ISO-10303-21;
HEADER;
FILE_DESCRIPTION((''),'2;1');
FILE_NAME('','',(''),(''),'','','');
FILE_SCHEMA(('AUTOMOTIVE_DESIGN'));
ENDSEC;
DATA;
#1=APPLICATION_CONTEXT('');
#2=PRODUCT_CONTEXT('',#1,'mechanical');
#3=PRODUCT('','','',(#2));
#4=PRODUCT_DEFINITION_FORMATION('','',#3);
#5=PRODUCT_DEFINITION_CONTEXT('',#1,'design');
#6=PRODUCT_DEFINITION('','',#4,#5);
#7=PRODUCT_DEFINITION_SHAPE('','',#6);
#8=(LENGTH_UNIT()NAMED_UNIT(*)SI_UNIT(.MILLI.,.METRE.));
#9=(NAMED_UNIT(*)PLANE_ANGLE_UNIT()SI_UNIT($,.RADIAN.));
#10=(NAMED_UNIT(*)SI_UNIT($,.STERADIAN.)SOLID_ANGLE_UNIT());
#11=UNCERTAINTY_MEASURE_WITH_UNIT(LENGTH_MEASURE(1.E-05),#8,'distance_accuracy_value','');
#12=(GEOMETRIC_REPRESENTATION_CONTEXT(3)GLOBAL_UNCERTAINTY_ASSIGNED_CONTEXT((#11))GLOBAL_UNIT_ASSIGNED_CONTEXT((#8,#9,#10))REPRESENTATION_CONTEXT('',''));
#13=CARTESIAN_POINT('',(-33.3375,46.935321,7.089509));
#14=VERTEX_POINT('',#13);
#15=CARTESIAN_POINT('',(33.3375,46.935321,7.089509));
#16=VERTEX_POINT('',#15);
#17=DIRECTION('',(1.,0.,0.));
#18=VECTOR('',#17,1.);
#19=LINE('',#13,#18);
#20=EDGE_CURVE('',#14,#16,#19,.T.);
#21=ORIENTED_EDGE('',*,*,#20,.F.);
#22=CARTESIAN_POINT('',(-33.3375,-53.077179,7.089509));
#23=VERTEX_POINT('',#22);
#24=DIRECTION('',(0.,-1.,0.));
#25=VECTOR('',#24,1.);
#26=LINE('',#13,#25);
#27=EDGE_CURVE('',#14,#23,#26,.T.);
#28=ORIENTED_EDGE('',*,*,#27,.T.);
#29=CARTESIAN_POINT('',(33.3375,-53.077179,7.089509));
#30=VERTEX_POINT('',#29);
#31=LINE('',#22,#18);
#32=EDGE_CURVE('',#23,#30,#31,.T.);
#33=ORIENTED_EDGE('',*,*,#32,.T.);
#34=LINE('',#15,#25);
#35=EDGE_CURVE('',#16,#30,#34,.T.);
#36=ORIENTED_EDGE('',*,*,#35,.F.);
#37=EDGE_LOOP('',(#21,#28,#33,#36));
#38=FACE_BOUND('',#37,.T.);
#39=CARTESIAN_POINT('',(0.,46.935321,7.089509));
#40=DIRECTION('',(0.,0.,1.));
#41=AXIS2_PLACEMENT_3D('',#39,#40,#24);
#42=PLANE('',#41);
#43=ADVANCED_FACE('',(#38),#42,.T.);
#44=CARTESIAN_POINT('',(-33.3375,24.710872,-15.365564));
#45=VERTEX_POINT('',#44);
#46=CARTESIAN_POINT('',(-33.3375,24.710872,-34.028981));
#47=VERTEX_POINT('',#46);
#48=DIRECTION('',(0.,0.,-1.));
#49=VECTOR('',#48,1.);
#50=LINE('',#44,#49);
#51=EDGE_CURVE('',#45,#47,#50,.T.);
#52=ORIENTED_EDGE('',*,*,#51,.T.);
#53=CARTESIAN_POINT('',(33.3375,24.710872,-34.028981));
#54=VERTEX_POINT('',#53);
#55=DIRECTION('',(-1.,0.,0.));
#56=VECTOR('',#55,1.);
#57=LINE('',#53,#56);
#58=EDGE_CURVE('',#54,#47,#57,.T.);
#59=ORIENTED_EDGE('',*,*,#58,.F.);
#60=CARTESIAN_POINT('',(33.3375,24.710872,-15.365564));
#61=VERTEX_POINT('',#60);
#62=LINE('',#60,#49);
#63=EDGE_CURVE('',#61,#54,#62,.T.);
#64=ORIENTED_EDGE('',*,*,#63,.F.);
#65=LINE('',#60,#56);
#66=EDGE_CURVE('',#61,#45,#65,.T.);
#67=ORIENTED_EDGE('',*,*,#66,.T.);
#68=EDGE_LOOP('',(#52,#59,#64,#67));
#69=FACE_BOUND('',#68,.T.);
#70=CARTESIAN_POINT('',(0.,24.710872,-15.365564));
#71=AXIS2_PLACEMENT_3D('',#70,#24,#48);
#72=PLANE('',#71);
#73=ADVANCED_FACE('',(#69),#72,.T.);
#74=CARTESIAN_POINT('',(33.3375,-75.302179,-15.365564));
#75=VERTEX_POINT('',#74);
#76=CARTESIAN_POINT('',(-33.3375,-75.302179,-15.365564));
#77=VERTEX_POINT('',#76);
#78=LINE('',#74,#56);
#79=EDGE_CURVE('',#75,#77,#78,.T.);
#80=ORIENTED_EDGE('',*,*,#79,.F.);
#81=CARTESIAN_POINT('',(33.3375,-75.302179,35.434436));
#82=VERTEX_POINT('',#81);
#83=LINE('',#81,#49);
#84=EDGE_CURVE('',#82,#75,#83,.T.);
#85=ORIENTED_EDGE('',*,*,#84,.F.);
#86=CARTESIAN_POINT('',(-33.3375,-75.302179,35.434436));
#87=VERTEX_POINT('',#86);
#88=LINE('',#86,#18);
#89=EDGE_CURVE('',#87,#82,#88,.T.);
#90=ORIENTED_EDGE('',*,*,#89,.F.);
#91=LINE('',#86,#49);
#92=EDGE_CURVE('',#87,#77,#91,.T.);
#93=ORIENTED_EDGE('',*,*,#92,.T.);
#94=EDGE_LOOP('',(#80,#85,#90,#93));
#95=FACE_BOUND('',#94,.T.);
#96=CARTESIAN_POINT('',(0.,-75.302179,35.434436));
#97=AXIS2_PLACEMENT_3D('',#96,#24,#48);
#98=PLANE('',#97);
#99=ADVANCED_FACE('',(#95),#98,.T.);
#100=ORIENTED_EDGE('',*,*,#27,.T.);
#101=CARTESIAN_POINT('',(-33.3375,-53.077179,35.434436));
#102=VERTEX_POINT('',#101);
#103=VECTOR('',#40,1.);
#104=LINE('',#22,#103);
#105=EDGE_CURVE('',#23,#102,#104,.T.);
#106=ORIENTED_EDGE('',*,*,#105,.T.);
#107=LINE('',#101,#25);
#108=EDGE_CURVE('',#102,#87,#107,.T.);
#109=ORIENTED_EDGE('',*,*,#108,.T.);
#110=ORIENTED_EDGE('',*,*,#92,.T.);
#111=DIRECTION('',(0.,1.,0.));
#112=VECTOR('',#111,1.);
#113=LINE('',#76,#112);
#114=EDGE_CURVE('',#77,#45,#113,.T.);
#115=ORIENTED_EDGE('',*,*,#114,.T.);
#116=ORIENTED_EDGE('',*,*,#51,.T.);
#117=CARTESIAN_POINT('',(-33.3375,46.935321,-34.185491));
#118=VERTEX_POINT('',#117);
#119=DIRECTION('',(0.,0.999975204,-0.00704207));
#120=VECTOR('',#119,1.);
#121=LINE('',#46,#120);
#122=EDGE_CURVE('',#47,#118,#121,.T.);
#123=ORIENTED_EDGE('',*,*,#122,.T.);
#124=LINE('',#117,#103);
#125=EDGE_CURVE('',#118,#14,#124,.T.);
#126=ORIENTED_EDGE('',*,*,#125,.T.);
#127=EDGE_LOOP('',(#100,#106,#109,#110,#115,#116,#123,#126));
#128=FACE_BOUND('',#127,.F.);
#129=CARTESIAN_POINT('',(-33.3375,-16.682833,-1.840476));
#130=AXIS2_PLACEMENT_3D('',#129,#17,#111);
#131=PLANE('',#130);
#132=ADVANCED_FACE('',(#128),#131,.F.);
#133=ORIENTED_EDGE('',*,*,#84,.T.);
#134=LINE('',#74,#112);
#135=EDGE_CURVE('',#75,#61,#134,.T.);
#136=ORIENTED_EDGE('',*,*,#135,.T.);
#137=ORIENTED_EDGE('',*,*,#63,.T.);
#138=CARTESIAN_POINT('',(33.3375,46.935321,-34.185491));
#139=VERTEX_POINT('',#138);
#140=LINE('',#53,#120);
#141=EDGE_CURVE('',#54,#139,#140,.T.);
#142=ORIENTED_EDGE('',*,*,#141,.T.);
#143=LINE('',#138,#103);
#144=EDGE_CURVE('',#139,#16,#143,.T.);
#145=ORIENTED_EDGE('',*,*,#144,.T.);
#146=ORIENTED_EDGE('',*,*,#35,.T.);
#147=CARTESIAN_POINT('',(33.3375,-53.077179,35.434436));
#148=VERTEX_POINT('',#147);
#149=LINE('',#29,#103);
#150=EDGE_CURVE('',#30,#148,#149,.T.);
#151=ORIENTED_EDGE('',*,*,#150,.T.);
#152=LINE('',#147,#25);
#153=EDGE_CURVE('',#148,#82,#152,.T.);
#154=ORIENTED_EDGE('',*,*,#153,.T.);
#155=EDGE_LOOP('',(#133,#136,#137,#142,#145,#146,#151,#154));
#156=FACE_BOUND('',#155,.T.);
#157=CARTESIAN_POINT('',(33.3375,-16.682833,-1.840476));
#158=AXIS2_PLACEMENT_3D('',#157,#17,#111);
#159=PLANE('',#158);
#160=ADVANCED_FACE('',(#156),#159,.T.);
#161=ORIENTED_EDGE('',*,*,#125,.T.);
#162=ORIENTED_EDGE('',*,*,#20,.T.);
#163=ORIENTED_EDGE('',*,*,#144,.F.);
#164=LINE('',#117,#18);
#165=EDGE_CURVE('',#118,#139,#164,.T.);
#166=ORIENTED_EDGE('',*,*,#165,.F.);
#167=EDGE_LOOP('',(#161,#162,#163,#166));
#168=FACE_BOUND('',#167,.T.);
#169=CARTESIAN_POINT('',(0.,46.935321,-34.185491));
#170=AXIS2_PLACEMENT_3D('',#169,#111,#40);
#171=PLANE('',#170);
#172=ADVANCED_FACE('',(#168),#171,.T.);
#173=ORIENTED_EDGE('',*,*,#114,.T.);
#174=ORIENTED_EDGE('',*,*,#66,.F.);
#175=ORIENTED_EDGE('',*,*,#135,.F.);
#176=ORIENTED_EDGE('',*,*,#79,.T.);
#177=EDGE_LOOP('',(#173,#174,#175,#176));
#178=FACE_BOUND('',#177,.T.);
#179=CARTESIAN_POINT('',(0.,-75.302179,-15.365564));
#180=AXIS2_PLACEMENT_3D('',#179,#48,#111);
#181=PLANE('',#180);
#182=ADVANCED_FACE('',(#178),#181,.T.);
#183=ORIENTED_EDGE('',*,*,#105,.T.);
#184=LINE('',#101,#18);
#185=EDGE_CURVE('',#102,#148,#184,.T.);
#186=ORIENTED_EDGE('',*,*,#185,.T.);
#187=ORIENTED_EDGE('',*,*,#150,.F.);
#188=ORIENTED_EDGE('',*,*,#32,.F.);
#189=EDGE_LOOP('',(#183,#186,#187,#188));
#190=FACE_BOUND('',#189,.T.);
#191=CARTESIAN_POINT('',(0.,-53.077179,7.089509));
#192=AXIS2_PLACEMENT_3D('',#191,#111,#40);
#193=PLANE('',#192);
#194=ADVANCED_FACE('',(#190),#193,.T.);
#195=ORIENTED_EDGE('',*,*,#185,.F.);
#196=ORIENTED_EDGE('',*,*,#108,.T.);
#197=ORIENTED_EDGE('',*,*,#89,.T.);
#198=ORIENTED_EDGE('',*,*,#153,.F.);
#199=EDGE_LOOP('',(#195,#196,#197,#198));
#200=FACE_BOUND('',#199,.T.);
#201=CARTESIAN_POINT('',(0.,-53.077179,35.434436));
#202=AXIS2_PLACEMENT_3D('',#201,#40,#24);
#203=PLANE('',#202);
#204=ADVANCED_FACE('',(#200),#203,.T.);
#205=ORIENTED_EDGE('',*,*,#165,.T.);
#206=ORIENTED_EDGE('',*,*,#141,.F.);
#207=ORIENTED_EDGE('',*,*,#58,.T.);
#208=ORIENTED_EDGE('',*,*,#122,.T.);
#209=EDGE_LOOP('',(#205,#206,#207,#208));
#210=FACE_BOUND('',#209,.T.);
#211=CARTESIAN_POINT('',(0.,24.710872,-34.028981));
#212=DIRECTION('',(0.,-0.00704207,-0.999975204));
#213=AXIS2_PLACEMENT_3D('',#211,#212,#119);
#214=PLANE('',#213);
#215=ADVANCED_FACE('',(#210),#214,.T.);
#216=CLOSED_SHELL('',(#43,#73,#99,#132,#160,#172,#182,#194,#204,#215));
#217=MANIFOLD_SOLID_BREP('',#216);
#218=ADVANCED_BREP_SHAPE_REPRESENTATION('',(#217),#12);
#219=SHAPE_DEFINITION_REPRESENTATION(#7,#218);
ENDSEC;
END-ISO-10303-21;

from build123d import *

# Parameters (mm, degrees)
F1_DEPTH      = 33.3375
F1_DEPTH_BACK = 33.3375


with BuildPart() as f1:
    # F0 (on Right) → F1 (new body, two sides)
    with BuildSketch(Plane.YZ) as f1_sk:
        Polygon((24.710872, -34.028981), (46.935321, -34.185491), (46.935321, 7.089509), (-53.077179, 7.089509), (-53.077179, 35.434436), (-75.302179, 35.434436), (-75.302179, -15.365564), (24.710872, -15.365564), align=None)
    extrude(amount=F1_DEPTH)
    extrude(f1_sk.sketch, amount=-F1_DEPTH_BACK)


solid = f1.part
